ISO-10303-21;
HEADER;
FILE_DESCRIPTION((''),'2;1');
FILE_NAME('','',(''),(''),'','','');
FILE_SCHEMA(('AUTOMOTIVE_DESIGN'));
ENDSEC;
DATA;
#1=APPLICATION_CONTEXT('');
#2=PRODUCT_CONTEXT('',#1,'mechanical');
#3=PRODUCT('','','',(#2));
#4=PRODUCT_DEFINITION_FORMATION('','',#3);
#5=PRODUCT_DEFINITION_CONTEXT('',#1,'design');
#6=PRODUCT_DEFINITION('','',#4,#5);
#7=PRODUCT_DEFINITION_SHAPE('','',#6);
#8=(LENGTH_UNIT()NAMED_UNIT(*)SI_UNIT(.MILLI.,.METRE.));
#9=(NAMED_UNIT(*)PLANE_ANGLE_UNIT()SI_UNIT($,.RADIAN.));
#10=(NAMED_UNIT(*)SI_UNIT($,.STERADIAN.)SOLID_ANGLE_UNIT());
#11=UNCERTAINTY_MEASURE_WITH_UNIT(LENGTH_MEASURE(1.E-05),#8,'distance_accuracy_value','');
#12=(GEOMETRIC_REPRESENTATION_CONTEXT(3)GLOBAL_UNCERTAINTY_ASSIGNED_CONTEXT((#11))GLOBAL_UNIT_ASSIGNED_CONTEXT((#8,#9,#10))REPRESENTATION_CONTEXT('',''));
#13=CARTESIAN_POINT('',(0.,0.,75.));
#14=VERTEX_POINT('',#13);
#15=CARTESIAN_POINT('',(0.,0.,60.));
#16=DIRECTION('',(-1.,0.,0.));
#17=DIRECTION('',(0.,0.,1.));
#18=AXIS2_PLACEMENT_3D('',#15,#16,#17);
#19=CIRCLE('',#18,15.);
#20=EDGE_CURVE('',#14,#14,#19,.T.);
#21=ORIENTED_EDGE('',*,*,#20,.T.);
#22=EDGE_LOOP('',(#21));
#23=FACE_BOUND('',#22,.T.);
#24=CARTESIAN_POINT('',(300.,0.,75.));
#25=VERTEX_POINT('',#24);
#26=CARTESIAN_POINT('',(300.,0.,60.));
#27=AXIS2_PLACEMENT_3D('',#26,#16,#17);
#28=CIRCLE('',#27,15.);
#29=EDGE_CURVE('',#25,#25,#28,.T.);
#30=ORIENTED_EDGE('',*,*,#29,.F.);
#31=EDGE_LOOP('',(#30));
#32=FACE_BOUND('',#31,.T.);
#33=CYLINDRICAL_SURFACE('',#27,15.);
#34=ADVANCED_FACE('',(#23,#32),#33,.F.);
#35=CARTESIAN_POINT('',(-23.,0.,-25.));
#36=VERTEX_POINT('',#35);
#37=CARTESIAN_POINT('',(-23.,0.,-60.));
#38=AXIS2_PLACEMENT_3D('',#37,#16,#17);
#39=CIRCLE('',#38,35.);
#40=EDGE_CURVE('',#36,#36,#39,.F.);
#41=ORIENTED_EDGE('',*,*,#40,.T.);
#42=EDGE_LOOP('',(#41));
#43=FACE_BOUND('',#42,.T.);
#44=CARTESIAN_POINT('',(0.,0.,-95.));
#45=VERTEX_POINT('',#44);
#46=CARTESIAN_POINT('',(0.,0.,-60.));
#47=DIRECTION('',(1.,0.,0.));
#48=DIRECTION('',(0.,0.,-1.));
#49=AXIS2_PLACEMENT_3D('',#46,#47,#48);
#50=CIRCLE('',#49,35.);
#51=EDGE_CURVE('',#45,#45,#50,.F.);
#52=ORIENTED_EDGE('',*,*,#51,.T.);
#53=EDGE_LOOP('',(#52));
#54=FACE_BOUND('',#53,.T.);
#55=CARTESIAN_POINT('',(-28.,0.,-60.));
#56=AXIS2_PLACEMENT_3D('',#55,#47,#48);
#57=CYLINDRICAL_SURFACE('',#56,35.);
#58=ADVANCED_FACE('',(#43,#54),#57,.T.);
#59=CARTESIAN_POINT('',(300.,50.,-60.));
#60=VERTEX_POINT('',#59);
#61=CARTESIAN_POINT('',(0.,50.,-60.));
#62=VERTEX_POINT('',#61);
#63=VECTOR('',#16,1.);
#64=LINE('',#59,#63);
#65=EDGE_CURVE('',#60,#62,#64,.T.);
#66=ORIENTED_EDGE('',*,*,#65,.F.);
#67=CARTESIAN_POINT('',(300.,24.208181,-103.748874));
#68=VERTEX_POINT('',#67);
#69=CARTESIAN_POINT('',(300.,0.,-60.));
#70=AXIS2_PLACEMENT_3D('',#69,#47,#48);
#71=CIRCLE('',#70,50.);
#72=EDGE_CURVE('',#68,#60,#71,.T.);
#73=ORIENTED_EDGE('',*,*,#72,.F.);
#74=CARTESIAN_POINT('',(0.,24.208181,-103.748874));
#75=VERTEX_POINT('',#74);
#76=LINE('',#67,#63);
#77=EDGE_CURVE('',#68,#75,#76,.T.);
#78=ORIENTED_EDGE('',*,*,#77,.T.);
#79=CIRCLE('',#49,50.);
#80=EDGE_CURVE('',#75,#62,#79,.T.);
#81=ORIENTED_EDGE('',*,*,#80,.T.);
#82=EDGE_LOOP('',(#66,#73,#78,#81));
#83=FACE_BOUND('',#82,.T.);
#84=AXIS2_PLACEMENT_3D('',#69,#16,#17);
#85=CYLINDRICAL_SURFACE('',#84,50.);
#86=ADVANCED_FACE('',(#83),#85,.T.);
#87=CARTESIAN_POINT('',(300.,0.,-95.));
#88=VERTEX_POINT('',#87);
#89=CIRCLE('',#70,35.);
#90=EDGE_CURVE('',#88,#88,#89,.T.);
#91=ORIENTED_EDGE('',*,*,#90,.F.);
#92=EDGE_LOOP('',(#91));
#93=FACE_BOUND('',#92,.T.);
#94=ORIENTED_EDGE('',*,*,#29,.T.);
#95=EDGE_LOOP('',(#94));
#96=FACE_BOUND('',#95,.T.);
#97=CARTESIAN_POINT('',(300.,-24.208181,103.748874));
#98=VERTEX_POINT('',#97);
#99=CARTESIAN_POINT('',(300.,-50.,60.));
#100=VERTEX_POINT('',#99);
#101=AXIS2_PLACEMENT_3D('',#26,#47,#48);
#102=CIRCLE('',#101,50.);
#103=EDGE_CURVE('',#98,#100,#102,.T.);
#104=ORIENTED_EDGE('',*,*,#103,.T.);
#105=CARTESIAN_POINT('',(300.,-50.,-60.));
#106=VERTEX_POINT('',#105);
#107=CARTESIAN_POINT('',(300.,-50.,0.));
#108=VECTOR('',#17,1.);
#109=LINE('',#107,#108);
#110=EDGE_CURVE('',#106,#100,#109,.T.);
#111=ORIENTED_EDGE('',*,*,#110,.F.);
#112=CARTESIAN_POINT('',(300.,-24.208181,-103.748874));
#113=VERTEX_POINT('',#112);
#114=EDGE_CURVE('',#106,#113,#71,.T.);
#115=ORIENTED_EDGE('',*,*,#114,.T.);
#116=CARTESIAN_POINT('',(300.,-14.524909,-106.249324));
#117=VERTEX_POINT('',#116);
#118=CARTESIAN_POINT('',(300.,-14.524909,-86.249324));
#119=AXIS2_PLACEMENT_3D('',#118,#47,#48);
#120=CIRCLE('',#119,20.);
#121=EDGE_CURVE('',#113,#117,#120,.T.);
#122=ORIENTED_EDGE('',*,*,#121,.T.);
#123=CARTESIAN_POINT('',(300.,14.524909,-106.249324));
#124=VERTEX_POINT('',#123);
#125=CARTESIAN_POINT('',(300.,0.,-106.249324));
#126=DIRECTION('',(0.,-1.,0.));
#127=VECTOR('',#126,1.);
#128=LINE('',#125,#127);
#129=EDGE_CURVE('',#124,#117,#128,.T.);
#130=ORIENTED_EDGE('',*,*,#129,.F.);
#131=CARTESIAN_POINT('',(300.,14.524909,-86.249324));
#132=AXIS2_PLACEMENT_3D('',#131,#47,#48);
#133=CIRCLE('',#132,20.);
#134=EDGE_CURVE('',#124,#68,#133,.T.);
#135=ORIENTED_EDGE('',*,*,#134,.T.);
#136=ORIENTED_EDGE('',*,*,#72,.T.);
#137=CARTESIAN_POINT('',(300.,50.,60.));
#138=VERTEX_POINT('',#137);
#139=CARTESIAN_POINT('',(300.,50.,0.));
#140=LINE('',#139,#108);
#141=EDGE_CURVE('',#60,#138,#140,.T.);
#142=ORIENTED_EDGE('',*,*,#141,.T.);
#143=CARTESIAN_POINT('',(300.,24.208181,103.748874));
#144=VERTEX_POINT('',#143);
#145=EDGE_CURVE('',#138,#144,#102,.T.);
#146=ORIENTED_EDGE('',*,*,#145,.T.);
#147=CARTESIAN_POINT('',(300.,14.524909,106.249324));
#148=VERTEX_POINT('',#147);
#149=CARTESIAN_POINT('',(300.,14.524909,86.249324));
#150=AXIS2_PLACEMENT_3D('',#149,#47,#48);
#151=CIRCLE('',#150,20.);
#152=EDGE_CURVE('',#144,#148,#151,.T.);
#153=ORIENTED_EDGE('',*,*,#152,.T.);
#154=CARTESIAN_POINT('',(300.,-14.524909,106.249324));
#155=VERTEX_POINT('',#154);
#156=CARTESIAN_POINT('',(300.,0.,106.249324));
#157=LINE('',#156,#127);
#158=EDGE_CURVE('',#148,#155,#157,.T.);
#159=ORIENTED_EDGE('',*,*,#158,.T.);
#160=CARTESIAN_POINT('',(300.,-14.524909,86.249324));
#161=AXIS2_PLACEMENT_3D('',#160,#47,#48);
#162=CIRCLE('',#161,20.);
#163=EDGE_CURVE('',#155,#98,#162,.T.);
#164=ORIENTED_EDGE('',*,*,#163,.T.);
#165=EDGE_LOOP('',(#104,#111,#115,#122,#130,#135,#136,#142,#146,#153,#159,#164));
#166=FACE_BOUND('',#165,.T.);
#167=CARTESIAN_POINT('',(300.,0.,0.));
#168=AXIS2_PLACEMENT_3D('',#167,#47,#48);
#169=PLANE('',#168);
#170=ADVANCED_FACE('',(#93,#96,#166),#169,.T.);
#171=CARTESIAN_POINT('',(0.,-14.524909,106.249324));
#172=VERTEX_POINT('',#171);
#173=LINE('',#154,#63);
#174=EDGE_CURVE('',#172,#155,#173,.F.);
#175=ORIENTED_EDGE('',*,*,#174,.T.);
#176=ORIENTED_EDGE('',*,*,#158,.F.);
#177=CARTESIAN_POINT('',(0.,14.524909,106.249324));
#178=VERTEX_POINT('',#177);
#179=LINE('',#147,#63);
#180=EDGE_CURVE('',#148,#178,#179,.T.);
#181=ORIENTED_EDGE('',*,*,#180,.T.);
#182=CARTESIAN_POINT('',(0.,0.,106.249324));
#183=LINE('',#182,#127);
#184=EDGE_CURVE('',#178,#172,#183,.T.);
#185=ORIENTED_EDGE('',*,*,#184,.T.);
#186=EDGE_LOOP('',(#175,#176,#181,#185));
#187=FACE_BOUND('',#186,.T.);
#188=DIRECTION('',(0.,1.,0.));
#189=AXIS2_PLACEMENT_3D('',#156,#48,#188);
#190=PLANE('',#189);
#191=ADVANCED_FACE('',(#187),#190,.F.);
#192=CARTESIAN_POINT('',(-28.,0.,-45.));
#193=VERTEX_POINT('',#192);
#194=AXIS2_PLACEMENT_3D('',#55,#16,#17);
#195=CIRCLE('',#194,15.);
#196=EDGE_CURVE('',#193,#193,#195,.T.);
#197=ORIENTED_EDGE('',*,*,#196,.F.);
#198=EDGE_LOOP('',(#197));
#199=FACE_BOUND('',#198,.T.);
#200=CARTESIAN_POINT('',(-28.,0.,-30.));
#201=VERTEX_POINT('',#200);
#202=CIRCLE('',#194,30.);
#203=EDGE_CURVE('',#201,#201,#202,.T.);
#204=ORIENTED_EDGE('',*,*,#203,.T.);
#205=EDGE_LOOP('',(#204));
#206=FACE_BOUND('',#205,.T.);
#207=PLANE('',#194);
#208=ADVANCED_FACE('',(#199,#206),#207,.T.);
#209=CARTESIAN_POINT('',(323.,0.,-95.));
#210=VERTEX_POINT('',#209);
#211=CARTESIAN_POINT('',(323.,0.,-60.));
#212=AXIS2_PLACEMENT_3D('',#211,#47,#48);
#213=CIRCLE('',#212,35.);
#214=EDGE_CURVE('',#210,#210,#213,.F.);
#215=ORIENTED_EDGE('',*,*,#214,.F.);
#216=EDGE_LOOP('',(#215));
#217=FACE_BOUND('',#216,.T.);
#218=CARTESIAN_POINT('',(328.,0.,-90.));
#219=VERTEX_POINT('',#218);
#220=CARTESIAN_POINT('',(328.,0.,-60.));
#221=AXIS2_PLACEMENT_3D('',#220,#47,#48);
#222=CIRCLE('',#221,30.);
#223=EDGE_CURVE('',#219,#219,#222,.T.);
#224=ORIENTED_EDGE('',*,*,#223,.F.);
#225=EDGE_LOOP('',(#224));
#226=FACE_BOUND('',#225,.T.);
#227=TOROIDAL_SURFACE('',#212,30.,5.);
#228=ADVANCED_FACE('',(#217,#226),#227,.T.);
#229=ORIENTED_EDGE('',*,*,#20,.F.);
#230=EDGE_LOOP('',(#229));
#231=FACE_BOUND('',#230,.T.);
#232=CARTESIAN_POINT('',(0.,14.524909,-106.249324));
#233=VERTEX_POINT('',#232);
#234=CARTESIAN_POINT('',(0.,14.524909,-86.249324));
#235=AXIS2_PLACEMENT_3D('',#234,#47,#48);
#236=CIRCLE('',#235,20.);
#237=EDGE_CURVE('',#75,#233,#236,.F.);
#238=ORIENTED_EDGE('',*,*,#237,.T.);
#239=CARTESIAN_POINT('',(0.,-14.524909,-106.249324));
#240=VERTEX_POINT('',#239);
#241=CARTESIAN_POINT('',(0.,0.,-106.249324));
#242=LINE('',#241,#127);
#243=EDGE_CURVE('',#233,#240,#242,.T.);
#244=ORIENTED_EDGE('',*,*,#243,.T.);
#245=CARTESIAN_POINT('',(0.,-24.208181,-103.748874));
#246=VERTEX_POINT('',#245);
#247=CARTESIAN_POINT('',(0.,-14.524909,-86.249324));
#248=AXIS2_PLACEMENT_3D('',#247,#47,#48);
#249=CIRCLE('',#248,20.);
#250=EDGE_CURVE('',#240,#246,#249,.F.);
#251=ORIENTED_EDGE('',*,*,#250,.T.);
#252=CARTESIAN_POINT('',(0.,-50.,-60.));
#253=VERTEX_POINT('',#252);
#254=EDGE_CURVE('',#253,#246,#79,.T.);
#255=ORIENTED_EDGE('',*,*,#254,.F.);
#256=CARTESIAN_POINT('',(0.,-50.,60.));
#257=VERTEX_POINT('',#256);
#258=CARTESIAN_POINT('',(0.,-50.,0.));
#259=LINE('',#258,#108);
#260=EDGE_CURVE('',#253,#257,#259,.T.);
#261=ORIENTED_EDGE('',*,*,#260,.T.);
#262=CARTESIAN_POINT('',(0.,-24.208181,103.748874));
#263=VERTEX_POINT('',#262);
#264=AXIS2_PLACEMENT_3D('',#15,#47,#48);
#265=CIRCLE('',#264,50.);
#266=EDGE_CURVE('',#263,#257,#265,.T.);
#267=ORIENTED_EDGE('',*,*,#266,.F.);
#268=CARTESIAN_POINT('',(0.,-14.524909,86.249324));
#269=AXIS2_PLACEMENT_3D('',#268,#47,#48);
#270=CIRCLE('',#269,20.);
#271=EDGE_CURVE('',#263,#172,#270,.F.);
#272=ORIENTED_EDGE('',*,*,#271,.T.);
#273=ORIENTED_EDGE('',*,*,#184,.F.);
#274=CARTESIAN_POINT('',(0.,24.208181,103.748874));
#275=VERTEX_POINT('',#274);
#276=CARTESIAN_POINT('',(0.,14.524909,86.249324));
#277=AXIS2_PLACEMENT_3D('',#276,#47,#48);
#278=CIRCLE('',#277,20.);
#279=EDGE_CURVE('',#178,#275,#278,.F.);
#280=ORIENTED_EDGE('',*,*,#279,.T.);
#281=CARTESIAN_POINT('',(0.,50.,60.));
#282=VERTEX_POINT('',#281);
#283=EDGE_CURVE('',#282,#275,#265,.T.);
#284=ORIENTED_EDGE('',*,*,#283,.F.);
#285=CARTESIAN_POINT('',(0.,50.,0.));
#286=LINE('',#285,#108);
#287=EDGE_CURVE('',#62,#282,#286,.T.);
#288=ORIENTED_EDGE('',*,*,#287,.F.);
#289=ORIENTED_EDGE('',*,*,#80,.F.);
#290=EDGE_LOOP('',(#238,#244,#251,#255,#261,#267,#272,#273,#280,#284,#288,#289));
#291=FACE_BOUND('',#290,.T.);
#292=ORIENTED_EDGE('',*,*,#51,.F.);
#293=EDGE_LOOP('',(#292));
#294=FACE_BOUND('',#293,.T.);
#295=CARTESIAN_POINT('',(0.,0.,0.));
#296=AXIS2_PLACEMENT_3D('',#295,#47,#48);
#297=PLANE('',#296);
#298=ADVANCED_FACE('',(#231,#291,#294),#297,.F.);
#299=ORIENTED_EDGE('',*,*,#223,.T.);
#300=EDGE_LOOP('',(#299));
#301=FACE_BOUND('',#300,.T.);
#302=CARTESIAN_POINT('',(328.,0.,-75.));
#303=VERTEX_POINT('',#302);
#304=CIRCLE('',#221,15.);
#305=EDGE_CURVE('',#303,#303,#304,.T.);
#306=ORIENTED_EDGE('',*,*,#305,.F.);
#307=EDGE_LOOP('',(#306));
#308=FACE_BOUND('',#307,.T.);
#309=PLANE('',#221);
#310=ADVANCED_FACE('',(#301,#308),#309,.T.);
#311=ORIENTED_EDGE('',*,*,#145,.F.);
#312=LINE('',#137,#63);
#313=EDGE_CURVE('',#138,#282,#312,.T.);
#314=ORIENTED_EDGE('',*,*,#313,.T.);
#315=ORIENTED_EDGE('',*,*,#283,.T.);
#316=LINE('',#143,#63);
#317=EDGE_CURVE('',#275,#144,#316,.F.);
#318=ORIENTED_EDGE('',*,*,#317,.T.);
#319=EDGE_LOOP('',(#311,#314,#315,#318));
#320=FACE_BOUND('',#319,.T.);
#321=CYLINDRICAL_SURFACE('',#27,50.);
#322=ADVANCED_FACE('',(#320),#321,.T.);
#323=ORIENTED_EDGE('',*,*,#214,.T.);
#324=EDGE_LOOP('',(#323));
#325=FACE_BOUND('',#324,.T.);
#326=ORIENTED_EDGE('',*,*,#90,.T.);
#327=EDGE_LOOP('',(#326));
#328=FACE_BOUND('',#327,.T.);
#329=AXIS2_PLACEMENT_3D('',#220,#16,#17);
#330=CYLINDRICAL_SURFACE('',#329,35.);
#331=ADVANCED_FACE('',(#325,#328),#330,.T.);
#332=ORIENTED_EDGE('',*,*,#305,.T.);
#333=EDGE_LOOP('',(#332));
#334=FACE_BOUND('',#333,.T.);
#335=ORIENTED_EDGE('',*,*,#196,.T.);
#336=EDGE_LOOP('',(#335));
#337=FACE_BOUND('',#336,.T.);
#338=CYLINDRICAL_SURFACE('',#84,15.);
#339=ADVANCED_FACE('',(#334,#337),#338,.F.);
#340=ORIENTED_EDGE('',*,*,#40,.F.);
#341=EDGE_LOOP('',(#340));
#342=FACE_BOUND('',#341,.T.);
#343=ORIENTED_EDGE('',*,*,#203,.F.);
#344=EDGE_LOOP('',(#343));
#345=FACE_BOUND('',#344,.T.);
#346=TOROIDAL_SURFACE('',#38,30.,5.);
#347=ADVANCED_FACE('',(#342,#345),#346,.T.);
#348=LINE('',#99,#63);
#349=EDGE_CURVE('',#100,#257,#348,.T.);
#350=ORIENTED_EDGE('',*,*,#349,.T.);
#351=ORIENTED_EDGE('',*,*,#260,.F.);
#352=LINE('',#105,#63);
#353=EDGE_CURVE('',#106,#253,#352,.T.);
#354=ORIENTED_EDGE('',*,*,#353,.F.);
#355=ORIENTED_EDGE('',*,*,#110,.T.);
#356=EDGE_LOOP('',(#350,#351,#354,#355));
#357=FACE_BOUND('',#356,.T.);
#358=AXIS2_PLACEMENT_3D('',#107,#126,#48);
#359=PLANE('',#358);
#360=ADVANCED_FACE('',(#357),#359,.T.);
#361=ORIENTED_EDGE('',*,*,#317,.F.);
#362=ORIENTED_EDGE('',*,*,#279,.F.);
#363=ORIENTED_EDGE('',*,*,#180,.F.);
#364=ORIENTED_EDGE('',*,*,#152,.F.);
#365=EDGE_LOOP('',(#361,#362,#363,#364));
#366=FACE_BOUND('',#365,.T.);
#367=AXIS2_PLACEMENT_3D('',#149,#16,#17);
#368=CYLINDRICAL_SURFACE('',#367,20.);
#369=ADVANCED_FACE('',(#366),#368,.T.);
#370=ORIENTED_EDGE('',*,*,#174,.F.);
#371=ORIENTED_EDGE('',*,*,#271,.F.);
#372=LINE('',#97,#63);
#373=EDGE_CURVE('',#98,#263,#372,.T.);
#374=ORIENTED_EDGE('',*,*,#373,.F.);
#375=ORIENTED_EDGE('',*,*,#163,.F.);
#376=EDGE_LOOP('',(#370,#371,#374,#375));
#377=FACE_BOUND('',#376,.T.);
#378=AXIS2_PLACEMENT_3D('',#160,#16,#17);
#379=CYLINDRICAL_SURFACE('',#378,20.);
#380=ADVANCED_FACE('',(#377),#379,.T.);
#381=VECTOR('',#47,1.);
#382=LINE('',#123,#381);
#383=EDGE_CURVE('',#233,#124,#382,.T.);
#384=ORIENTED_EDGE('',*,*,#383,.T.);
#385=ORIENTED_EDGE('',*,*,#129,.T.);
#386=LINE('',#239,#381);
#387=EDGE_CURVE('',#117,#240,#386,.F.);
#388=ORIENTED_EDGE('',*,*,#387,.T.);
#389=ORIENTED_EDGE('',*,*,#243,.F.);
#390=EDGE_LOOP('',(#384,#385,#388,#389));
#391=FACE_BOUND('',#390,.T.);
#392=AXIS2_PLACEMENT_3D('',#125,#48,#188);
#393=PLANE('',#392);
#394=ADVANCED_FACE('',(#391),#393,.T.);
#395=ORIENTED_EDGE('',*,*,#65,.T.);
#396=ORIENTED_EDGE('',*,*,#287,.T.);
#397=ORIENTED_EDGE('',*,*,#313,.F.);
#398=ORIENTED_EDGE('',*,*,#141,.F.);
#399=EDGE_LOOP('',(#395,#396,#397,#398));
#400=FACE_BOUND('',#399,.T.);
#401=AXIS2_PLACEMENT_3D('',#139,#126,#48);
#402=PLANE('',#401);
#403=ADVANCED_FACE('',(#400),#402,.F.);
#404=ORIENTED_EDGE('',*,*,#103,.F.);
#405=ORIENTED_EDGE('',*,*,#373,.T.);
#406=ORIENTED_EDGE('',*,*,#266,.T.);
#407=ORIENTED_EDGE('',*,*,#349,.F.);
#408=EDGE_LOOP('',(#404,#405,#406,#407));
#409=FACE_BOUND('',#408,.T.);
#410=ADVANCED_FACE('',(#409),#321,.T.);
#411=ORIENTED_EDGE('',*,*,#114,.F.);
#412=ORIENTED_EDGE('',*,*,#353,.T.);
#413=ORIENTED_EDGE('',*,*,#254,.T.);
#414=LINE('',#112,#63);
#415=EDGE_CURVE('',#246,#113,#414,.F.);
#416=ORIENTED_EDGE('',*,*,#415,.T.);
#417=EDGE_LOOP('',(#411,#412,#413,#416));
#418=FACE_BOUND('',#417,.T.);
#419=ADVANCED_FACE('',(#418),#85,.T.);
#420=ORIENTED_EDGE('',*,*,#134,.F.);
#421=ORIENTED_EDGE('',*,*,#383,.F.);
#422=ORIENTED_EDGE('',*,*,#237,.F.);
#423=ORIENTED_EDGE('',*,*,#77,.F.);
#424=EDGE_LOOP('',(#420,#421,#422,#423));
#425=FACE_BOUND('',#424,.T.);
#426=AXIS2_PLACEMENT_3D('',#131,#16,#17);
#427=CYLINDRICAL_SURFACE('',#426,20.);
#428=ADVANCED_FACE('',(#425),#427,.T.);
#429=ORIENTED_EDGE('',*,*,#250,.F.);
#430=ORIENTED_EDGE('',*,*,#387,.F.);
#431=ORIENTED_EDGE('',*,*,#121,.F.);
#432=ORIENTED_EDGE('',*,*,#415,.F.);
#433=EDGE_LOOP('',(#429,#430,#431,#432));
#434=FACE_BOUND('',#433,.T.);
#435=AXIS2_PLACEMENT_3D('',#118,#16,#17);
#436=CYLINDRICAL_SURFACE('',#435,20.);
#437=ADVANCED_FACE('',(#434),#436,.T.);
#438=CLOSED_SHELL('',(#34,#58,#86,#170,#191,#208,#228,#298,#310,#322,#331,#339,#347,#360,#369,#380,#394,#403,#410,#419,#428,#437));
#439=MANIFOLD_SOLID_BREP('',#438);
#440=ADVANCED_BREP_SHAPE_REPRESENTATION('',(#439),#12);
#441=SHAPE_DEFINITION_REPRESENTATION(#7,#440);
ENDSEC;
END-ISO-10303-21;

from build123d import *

# Parameters (mm, degrees)
SKETCH_2_W          = 120
SKETCH_2_H          = 100
EXTRUDE_1_DEPTH     = 300
SKETCH_3_R          = 15
CUT_EXTRUDE_1_DEPTH = 300
SKETCH_4_R          = 35
SKETCH_4_R_2        = 15
EXTRUDE_2_DEPTH     = 28
SKETCH_6_R          = 35
SKETCH_6_R_2        = 15
EXTRUDE_3_DEPTH     = 28
FILLET_2_R          = 5
FILLET_3_R          = 20


with BuildPart() as part:
    # 草图2 → 凸台-拉伸1 (new body)
    with BuildSketch(Plane(origin=(0, 0, 0), x_dir=(0, 0, -1), z_dir=(1, 0, 0))):
        with BuildLine():
            Line((106.249324319, 19), (106.249324319, -19))
            ThreePointArc((106.249324319, -19), (10, 0), (106.249324319, 19))
        make_face()
        Rectangle(SKETCH_2_W, SKETCH_2_H)
        with BuildLine():
            Line((-106.249324319, 19), (-106.249324319, -19))
            ThreePointArc((-106.249324319, -19), (-10, 0), (-106.249324319, 19))
        make_face()
    extrude(amount=EXTRUDE_1_DEPTH)

    # 草图3 → 切除-拉伸1 (cut)
    with BuildSketch(Plane.ZY):
        with Locations((60, 0)):
            Circle(SKETCH_3_R)
        with Locations((-60, 0)):
            Circle(SKETCH_3_R)
    extrude(amount=-CUT_EXTRUDE_1_DEPTH, mode=Mode.SUBTRACT)

    # 草图4 → 凸台-拉伸2 (add)
    with BuildSketch(Plane.ZY):
        with Locations((-60, 0)):
            Circle(SKETCH_4_R)
        with Locations((-60, 0)):
            Circle(SKETCH_4_R_2, mode=Mode.SUBTRACT)
    extrude(amount=EXTRUDE_2_DEPTH)

    # 草图6 → 凸台-拉伸3 (add)
    with BuildSketch(Plane(origin=(300, 0, 0), x_dir=(0, 0, -1), z_dir=(1, 0, 0))):
        with Locations((60, 0)):
            Circle(SKETCH_6_R)
        with Locations((60, 0)):
            Circle(SKETCH_6_R_2, mode=Mode.SUBTRACT)
    extrude(amount=EXTRUDE_3_DEPTH)

    # 圆角2
    fillet_2_edges = [part.edges().sort_by_distance(p)[0] for p in [
        (-28, 0, -95),
        (328, 0, -25),
    ]]
    fillet(fillet_2_edges, radius=FILLET_2_R)

    # 圆角3
    fillet_3_edges = [part.edges().sort_by_distance(p)[0] for p in [
        (150, -19, 106.249324319),
        (150, 19, 106.249324319),
        (150, 19, -106.249324319),
        (150, -19, -106.249324319),
    ]]
    fillet(fillet_3_edges, radius=FILLET_3_R)


solid = part.part
